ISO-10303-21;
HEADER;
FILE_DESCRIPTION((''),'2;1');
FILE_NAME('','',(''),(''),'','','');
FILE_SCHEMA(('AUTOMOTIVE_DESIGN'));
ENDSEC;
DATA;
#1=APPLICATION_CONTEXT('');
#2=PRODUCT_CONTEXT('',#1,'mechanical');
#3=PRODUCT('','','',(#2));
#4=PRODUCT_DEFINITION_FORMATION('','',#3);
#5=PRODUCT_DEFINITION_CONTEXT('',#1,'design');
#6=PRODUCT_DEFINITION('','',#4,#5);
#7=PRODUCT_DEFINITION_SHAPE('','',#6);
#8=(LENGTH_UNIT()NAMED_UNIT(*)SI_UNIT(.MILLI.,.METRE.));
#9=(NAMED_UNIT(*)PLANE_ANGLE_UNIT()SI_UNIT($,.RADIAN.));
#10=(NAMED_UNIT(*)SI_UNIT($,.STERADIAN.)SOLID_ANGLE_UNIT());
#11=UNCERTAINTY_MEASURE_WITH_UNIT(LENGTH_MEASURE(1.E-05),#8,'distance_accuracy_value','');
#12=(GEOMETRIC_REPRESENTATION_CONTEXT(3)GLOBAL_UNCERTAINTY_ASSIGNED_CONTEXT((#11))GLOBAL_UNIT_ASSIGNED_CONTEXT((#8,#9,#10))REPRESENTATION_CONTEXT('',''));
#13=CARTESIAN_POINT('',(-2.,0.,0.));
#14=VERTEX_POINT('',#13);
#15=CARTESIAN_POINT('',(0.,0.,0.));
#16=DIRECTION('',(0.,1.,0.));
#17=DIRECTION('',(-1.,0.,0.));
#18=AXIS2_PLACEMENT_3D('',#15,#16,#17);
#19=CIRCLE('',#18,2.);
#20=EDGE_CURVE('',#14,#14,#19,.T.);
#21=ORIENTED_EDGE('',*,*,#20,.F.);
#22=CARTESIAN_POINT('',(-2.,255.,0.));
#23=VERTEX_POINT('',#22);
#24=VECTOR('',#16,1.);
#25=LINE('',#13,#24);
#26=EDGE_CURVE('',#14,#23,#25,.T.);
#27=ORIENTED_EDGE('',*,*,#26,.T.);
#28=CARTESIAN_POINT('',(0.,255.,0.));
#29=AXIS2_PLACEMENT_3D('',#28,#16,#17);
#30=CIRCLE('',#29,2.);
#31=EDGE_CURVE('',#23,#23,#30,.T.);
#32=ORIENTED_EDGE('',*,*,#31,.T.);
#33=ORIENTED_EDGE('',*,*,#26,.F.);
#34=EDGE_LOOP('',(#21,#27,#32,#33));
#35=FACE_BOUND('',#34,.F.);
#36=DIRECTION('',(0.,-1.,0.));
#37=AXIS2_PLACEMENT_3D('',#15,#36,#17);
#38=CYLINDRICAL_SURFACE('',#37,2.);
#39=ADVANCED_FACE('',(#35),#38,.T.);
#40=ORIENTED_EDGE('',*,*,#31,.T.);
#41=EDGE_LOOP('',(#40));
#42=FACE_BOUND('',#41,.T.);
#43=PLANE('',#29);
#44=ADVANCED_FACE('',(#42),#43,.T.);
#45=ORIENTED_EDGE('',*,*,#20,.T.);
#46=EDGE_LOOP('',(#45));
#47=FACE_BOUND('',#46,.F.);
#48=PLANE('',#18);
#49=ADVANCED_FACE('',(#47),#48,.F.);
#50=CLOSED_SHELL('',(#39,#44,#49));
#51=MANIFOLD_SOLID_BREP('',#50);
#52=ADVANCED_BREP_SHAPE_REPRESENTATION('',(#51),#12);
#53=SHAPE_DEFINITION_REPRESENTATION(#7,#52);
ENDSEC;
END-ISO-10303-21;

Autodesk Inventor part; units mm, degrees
ref_plane "YZ Plane" through (0, 0, 0) normal (1, 0, 0) x (0, 1, 0)
ref_plane "XZ Plane" through (0, 0, 0) normal (0, 1, 0) x (-1, 0, 0)
ref_plane "XY Plane" through (0, 0, 0) normal (0, 0, 1) x (1, 0, 0)
sketch "Sketch1" plane through (0, 0, 0) normal (0, 1, 0) x (-1, 0, 0)
  circle A0 centre (0, 0) radius 2
  dimension "d0" = 4
extrude "Extrusion1" add sketch "Sketch1" along normal blind 255
thread "Thread1" size "M4x0.7" class "6g" standard "ANSI Metric M Profile" full length
properties part number "M4-threaded-rod"
